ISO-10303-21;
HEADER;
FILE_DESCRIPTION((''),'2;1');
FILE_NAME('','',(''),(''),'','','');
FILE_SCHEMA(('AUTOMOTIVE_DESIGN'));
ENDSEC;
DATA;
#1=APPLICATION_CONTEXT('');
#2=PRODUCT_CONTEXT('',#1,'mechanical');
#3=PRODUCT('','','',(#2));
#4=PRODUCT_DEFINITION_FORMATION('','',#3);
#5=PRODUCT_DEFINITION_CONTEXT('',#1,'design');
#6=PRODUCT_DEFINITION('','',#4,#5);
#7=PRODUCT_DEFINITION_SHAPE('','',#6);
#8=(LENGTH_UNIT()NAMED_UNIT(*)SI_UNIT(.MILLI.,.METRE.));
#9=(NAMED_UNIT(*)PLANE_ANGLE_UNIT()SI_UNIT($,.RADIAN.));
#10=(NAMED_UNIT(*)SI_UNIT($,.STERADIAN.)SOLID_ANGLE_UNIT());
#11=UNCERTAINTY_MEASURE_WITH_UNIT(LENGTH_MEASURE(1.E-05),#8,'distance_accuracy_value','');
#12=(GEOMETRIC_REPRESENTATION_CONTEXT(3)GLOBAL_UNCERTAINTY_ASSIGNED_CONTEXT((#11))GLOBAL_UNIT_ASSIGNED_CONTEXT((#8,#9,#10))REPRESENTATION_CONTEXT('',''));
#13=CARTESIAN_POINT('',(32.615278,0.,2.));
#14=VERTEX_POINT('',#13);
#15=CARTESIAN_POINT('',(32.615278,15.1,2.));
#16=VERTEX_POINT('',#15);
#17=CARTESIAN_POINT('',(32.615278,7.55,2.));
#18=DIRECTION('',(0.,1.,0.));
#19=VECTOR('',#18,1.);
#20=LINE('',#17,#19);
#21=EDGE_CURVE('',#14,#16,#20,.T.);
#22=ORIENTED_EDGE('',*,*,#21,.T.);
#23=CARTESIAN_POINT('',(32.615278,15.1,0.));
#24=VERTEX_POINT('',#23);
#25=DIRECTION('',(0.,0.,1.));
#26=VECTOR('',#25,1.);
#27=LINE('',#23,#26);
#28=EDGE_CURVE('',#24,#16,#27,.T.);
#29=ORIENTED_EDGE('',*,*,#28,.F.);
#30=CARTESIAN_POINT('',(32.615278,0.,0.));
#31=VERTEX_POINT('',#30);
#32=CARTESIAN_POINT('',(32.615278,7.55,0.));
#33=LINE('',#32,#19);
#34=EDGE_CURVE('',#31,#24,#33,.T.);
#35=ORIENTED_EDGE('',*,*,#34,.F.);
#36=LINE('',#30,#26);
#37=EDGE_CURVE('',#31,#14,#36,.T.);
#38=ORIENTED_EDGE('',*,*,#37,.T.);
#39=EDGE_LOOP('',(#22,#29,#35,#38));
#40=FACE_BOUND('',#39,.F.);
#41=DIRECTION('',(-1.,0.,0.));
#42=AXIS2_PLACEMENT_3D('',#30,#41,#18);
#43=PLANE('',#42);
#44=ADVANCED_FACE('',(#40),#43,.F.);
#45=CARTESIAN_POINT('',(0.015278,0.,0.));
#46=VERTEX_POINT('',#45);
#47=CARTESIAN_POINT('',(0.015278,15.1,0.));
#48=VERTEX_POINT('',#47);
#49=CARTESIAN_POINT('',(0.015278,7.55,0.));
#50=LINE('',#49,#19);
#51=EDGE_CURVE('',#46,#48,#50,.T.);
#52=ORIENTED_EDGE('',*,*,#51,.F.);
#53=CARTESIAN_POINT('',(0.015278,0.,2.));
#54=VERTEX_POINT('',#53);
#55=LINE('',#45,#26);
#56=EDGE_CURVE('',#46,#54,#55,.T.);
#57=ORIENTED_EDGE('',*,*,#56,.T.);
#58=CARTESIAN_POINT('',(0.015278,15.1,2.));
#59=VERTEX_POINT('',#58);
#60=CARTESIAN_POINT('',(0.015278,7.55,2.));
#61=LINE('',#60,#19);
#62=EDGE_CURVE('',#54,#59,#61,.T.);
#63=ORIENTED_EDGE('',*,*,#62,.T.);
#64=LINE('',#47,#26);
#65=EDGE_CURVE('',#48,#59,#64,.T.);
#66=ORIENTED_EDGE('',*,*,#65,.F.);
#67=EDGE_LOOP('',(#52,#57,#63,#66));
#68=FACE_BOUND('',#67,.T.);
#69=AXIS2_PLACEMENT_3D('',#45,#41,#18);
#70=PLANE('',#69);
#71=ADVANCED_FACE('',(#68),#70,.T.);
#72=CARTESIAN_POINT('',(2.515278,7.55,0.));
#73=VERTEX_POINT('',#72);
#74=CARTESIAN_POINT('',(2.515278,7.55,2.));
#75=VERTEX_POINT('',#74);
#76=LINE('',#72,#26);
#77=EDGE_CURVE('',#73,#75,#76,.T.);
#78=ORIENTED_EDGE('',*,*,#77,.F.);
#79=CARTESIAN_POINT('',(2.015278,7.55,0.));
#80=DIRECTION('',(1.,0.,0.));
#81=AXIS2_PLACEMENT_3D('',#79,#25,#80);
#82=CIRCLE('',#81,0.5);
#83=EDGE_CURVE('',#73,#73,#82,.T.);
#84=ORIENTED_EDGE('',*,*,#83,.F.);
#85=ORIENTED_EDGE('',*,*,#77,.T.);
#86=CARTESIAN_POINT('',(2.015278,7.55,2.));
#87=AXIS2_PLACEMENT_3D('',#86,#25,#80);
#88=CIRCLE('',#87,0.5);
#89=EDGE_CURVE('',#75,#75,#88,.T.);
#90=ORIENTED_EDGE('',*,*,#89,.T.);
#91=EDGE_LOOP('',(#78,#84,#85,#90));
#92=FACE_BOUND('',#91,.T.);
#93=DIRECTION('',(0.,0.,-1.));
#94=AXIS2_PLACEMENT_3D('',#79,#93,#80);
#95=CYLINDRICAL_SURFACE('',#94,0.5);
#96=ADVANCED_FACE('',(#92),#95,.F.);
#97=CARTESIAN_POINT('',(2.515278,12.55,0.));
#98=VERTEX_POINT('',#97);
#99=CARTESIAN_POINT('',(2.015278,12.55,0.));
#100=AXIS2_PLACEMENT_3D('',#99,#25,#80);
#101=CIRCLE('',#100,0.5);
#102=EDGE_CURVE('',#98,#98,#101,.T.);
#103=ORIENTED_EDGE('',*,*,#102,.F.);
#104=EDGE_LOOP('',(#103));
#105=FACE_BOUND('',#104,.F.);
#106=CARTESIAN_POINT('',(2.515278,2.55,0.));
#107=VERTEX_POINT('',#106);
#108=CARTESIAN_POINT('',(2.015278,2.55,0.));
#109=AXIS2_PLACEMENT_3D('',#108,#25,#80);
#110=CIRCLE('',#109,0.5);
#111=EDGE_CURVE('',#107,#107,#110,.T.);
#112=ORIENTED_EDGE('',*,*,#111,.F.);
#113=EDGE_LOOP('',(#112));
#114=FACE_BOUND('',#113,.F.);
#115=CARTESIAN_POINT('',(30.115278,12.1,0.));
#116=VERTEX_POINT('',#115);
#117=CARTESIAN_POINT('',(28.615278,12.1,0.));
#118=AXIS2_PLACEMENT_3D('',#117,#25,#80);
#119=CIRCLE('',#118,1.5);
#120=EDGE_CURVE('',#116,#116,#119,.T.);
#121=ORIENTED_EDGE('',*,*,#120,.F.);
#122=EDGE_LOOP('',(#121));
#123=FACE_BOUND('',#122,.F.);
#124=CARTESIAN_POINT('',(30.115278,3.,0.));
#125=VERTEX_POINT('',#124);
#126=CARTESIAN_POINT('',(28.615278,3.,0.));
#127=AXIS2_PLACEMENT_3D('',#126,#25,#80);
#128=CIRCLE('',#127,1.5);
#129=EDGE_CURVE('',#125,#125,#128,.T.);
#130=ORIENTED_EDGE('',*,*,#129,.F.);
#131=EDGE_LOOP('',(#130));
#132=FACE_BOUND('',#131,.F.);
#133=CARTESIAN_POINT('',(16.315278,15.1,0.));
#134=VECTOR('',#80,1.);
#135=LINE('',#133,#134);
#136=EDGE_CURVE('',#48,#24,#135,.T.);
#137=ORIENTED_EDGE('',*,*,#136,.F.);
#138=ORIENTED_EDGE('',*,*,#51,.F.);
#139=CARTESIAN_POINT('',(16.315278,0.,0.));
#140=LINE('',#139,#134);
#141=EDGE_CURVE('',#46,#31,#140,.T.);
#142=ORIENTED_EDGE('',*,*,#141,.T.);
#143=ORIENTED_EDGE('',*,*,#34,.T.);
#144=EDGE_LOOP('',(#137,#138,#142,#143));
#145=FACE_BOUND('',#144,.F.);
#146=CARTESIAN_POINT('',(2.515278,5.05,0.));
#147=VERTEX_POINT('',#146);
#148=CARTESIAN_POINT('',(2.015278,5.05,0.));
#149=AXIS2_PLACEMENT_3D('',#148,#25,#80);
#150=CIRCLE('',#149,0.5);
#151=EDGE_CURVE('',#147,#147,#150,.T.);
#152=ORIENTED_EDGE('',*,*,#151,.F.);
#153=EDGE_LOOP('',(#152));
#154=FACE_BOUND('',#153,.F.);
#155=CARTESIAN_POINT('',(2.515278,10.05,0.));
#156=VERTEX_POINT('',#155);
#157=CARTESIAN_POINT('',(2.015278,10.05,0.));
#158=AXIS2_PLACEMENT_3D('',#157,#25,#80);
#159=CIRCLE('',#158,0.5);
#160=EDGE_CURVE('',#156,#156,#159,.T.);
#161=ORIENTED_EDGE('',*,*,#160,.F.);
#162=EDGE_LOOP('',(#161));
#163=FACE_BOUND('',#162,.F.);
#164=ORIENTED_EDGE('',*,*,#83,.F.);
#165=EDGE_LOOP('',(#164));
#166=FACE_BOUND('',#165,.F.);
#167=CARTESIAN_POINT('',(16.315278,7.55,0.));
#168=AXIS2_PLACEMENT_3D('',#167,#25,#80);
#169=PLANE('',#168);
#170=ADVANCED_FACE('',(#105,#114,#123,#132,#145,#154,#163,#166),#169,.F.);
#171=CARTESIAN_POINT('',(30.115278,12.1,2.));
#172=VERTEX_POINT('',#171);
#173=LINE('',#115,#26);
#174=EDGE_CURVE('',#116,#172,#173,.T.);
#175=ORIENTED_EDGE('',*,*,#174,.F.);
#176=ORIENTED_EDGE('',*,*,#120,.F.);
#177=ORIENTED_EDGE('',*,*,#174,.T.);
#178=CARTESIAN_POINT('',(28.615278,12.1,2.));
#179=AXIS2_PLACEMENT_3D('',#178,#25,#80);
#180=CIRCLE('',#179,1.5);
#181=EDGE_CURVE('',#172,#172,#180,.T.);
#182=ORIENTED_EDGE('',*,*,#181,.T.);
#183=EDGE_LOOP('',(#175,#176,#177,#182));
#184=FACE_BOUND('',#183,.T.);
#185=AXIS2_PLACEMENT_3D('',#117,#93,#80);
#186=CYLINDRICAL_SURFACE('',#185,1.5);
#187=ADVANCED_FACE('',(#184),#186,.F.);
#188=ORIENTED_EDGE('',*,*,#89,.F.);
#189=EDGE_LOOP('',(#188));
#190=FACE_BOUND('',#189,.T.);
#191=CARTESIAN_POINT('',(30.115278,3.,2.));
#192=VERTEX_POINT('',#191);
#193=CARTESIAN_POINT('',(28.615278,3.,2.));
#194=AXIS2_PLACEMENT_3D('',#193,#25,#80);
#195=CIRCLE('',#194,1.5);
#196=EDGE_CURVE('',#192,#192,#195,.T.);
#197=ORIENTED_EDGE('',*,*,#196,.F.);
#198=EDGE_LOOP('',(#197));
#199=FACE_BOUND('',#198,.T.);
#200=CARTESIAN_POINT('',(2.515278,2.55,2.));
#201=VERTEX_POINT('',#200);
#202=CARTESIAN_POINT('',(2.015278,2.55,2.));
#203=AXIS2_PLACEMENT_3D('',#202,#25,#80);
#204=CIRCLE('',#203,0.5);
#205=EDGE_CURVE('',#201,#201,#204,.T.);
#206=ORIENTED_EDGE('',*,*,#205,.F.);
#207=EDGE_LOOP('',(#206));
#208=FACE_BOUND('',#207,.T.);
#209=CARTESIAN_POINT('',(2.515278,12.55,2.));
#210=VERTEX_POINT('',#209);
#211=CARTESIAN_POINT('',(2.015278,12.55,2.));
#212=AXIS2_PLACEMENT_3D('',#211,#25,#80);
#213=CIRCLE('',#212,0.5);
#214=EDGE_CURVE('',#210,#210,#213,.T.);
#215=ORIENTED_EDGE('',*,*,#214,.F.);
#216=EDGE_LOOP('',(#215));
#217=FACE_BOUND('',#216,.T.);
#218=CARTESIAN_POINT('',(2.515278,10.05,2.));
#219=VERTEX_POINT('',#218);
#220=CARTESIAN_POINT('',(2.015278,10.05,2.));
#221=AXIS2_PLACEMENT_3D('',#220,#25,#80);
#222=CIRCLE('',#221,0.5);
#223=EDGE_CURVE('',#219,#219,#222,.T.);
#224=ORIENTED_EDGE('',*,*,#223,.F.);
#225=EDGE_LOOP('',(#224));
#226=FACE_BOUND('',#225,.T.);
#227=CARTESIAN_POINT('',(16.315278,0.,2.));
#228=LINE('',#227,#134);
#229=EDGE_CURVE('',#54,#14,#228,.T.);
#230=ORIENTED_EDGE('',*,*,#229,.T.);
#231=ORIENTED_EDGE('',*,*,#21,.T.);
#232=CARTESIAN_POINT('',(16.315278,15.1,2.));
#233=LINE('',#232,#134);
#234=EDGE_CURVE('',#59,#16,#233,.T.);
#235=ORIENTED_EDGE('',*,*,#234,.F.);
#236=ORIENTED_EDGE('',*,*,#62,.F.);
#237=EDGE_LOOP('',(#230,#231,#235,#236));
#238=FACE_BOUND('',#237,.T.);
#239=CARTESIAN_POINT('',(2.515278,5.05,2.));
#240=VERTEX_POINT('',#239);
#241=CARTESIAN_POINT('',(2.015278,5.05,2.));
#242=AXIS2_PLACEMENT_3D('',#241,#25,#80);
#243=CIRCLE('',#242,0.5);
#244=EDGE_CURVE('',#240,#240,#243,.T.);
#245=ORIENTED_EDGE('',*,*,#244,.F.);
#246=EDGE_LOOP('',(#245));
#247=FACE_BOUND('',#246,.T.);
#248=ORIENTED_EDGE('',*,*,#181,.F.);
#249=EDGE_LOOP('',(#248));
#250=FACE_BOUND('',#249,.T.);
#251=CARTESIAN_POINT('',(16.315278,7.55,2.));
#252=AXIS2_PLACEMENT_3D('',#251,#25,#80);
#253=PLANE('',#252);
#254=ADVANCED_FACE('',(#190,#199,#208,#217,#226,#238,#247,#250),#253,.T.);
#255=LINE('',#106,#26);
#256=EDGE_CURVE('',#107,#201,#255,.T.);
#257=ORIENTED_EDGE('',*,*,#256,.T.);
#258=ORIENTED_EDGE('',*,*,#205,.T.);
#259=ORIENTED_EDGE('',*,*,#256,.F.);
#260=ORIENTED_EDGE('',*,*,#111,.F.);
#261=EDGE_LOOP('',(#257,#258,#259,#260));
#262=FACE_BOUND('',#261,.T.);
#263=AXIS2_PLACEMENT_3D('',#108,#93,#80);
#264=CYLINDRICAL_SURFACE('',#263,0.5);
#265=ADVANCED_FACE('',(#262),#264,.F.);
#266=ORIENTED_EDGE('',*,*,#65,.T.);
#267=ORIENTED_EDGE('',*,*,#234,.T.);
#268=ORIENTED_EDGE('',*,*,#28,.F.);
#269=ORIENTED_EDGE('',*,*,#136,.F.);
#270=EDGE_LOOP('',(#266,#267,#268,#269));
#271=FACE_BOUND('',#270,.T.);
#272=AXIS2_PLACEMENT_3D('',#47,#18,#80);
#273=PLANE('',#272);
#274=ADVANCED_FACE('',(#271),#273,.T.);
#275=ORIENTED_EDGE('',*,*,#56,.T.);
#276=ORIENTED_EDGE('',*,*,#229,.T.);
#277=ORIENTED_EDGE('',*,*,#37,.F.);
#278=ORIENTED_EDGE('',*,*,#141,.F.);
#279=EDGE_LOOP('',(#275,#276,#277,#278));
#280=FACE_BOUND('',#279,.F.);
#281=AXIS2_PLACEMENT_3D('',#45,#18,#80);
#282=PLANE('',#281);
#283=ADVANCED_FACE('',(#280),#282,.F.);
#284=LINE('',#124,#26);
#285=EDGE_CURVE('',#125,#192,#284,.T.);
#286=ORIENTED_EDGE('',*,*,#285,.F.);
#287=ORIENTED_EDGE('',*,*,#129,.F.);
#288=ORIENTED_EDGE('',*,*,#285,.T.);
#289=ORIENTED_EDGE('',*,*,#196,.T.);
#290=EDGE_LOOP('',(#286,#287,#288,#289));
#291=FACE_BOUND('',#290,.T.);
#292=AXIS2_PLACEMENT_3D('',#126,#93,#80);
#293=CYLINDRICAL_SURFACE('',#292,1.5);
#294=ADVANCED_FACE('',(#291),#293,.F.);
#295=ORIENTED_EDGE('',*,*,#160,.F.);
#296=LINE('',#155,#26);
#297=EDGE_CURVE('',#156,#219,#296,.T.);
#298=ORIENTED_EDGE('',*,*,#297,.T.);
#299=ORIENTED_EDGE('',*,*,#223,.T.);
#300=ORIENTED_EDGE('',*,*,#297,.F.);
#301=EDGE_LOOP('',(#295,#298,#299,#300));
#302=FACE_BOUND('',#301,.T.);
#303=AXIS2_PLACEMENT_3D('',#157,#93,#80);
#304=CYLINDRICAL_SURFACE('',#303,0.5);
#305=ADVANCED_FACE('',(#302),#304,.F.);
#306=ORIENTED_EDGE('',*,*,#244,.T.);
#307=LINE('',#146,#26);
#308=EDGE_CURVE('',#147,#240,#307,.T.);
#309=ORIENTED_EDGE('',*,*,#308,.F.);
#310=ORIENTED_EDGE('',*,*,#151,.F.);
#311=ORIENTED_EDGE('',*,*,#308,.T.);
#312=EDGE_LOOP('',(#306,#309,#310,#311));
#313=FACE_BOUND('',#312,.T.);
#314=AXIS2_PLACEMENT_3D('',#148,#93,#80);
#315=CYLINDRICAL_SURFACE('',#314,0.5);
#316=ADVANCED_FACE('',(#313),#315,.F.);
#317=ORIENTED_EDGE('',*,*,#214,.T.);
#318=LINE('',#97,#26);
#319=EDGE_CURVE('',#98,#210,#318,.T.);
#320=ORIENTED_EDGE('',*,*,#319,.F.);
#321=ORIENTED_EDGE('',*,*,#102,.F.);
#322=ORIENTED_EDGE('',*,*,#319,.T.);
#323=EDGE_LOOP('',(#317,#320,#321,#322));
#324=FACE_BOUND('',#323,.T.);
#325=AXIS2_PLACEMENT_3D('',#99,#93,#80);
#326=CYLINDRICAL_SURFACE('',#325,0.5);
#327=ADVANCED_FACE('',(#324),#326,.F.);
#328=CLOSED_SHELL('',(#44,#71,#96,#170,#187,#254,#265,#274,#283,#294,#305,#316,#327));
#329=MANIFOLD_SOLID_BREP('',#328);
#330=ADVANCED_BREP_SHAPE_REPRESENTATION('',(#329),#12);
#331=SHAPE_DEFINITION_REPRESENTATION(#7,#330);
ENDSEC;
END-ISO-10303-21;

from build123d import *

# Parameters (mm, degrees)
SKETCH_W   = 32.6
SKETCH_H   = 15.1
SKETCH_R   = 0.5
SKETCH_R_2 = 1.5
PAD_DEPTH  = 2


with BuildPart() as part:
    # Sketch → Pad (new body)
    with BuildSketch(Plane.XY):
        with Locations((16.315278, 7.55)):
            Rectangle(SKETCH_W, SKETCH_H)
        with Locations((2.015278, 12.55)):
            Circle(SKETCH_R, mode=Mode.SUBTRACT)
        with Locations((2.015278, 10.05)):
            Circle(SKETCH_R, mode=Mode.SUBTRACT)
        with Locations((2.015278, 7.55)):
            Circle(SKETCH_R, mode=Mode.SUBTRACT)
        with Locations((2.015278, 5.05)):
            Circle(SKETCH_R, mode=Mode.SUBTRACT)
        with Locations((2.015278, 2.55)):
            Circle(SKETCH_R, mode=Mode.SUBTRACT)
        with Locations((28.615278, 12.1)):
            Circle(SKETCH_R_2, mode=Mode.SUBTRACT)
        with Locations((28.615278, 3)):
            Circle(SKETCH_R_2, mode=Mode.SUBTRACT)
    extrude(amount=PAD_DEPTH)


solid = part.part
